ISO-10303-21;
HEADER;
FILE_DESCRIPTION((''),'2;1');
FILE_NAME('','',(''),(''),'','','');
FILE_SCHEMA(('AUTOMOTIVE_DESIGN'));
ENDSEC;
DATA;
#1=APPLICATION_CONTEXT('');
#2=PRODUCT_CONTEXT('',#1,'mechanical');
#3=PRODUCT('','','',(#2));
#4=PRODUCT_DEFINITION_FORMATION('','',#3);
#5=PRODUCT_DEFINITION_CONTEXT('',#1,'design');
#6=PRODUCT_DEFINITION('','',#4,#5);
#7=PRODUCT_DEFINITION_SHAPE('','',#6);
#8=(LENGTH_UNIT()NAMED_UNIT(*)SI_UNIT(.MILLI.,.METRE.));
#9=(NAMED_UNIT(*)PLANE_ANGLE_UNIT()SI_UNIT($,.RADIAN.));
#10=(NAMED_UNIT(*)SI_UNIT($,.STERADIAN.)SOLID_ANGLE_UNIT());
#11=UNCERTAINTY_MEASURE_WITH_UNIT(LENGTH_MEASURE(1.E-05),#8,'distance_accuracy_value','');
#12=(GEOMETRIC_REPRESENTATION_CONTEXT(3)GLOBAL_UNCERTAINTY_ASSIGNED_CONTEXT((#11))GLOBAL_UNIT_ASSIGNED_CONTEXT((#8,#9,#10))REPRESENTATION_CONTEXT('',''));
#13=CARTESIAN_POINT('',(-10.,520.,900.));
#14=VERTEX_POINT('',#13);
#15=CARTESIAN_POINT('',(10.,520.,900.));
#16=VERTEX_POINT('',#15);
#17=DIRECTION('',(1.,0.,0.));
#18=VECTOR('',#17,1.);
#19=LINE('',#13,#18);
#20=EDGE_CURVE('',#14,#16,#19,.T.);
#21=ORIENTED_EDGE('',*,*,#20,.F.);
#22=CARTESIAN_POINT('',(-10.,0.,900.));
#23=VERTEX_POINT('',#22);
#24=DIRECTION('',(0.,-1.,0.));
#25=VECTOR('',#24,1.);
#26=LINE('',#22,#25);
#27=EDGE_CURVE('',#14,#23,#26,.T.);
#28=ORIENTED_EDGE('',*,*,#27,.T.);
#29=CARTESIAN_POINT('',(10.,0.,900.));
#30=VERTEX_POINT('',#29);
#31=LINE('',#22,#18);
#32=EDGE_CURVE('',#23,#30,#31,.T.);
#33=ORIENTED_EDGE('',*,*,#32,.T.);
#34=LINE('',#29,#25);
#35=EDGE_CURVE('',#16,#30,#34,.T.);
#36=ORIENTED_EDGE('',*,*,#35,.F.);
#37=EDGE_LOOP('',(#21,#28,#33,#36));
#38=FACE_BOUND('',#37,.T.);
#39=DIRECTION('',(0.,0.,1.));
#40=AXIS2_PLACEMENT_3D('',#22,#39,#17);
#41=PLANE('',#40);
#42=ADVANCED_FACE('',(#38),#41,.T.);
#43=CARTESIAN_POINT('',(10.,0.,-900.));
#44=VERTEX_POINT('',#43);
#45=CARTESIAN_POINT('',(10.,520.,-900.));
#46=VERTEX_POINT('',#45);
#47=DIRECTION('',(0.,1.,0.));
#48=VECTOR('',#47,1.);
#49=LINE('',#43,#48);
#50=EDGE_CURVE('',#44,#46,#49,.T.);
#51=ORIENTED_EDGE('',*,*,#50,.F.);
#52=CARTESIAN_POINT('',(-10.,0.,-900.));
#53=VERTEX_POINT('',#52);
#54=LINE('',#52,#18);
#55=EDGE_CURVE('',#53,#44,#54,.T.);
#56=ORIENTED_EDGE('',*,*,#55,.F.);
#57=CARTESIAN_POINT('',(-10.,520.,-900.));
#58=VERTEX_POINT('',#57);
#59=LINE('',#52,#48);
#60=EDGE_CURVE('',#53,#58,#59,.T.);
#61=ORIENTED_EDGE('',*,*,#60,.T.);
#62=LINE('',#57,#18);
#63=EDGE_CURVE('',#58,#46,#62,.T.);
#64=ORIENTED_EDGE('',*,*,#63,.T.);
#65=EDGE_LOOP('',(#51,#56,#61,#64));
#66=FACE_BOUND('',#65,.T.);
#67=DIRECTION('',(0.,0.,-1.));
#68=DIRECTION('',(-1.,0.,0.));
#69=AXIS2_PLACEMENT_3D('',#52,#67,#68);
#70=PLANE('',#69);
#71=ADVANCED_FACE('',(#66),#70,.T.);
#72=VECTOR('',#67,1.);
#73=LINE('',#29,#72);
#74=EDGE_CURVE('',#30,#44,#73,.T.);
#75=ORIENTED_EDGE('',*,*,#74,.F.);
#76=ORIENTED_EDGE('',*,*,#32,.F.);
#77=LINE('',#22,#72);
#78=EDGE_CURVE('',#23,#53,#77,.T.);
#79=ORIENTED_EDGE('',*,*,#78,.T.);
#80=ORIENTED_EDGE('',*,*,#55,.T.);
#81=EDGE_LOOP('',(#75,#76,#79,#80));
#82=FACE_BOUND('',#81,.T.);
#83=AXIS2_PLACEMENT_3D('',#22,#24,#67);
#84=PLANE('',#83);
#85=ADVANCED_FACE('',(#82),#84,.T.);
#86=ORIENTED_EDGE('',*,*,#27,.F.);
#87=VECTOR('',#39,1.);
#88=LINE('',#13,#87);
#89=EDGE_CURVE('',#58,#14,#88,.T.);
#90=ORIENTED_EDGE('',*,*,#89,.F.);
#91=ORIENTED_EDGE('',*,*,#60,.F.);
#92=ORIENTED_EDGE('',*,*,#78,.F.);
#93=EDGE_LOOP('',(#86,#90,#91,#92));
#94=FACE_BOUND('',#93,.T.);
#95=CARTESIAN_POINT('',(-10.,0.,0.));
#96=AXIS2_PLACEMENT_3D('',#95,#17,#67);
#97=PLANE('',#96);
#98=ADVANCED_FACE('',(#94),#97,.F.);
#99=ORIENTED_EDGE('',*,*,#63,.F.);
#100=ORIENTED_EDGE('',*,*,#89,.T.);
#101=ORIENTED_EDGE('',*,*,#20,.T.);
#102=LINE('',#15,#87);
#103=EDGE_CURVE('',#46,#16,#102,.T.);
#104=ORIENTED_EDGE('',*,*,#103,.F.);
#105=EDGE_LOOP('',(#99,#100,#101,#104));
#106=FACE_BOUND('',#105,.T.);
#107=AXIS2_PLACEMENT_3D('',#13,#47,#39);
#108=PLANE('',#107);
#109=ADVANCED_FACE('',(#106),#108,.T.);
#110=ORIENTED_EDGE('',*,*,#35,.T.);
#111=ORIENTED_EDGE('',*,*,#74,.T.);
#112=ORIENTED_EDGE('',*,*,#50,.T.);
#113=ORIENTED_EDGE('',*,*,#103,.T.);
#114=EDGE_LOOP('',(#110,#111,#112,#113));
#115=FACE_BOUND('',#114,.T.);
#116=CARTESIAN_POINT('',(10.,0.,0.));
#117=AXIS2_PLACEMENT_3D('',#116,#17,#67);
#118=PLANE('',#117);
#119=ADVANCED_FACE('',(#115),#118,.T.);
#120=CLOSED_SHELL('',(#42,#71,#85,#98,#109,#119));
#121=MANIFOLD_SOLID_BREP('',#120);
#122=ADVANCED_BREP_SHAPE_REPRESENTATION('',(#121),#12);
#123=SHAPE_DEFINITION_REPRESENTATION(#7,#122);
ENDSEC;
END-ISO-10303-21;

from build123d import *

# Parameters (mm, degrees)
BOSS_EXTRUDE1_DEPTH      = 10
BOSS_EXTRUDE1_DEPTH_BACK = 10
SKETCH1_W                = 520
SKETCH1_H                = 1800


with BuildPart() as part:
    # Sketch1 → Boss-Extrude1 (new, two sides: drawn at the far end of the back side and taken through both)
    with BuildSketch(Plane.YZ.offset(-BOSS_EXTRUDE1_DEPTH_BACK)):
        with Locations((260, 0)):
            Rectangle(SKETCH1_W, SKETCH1_H)
    extrude(amount=BOSS_EXTRUDE1_DEPTH + BOSS_EXTRUDE1_DEPTH_BACK)


solid = part.part
